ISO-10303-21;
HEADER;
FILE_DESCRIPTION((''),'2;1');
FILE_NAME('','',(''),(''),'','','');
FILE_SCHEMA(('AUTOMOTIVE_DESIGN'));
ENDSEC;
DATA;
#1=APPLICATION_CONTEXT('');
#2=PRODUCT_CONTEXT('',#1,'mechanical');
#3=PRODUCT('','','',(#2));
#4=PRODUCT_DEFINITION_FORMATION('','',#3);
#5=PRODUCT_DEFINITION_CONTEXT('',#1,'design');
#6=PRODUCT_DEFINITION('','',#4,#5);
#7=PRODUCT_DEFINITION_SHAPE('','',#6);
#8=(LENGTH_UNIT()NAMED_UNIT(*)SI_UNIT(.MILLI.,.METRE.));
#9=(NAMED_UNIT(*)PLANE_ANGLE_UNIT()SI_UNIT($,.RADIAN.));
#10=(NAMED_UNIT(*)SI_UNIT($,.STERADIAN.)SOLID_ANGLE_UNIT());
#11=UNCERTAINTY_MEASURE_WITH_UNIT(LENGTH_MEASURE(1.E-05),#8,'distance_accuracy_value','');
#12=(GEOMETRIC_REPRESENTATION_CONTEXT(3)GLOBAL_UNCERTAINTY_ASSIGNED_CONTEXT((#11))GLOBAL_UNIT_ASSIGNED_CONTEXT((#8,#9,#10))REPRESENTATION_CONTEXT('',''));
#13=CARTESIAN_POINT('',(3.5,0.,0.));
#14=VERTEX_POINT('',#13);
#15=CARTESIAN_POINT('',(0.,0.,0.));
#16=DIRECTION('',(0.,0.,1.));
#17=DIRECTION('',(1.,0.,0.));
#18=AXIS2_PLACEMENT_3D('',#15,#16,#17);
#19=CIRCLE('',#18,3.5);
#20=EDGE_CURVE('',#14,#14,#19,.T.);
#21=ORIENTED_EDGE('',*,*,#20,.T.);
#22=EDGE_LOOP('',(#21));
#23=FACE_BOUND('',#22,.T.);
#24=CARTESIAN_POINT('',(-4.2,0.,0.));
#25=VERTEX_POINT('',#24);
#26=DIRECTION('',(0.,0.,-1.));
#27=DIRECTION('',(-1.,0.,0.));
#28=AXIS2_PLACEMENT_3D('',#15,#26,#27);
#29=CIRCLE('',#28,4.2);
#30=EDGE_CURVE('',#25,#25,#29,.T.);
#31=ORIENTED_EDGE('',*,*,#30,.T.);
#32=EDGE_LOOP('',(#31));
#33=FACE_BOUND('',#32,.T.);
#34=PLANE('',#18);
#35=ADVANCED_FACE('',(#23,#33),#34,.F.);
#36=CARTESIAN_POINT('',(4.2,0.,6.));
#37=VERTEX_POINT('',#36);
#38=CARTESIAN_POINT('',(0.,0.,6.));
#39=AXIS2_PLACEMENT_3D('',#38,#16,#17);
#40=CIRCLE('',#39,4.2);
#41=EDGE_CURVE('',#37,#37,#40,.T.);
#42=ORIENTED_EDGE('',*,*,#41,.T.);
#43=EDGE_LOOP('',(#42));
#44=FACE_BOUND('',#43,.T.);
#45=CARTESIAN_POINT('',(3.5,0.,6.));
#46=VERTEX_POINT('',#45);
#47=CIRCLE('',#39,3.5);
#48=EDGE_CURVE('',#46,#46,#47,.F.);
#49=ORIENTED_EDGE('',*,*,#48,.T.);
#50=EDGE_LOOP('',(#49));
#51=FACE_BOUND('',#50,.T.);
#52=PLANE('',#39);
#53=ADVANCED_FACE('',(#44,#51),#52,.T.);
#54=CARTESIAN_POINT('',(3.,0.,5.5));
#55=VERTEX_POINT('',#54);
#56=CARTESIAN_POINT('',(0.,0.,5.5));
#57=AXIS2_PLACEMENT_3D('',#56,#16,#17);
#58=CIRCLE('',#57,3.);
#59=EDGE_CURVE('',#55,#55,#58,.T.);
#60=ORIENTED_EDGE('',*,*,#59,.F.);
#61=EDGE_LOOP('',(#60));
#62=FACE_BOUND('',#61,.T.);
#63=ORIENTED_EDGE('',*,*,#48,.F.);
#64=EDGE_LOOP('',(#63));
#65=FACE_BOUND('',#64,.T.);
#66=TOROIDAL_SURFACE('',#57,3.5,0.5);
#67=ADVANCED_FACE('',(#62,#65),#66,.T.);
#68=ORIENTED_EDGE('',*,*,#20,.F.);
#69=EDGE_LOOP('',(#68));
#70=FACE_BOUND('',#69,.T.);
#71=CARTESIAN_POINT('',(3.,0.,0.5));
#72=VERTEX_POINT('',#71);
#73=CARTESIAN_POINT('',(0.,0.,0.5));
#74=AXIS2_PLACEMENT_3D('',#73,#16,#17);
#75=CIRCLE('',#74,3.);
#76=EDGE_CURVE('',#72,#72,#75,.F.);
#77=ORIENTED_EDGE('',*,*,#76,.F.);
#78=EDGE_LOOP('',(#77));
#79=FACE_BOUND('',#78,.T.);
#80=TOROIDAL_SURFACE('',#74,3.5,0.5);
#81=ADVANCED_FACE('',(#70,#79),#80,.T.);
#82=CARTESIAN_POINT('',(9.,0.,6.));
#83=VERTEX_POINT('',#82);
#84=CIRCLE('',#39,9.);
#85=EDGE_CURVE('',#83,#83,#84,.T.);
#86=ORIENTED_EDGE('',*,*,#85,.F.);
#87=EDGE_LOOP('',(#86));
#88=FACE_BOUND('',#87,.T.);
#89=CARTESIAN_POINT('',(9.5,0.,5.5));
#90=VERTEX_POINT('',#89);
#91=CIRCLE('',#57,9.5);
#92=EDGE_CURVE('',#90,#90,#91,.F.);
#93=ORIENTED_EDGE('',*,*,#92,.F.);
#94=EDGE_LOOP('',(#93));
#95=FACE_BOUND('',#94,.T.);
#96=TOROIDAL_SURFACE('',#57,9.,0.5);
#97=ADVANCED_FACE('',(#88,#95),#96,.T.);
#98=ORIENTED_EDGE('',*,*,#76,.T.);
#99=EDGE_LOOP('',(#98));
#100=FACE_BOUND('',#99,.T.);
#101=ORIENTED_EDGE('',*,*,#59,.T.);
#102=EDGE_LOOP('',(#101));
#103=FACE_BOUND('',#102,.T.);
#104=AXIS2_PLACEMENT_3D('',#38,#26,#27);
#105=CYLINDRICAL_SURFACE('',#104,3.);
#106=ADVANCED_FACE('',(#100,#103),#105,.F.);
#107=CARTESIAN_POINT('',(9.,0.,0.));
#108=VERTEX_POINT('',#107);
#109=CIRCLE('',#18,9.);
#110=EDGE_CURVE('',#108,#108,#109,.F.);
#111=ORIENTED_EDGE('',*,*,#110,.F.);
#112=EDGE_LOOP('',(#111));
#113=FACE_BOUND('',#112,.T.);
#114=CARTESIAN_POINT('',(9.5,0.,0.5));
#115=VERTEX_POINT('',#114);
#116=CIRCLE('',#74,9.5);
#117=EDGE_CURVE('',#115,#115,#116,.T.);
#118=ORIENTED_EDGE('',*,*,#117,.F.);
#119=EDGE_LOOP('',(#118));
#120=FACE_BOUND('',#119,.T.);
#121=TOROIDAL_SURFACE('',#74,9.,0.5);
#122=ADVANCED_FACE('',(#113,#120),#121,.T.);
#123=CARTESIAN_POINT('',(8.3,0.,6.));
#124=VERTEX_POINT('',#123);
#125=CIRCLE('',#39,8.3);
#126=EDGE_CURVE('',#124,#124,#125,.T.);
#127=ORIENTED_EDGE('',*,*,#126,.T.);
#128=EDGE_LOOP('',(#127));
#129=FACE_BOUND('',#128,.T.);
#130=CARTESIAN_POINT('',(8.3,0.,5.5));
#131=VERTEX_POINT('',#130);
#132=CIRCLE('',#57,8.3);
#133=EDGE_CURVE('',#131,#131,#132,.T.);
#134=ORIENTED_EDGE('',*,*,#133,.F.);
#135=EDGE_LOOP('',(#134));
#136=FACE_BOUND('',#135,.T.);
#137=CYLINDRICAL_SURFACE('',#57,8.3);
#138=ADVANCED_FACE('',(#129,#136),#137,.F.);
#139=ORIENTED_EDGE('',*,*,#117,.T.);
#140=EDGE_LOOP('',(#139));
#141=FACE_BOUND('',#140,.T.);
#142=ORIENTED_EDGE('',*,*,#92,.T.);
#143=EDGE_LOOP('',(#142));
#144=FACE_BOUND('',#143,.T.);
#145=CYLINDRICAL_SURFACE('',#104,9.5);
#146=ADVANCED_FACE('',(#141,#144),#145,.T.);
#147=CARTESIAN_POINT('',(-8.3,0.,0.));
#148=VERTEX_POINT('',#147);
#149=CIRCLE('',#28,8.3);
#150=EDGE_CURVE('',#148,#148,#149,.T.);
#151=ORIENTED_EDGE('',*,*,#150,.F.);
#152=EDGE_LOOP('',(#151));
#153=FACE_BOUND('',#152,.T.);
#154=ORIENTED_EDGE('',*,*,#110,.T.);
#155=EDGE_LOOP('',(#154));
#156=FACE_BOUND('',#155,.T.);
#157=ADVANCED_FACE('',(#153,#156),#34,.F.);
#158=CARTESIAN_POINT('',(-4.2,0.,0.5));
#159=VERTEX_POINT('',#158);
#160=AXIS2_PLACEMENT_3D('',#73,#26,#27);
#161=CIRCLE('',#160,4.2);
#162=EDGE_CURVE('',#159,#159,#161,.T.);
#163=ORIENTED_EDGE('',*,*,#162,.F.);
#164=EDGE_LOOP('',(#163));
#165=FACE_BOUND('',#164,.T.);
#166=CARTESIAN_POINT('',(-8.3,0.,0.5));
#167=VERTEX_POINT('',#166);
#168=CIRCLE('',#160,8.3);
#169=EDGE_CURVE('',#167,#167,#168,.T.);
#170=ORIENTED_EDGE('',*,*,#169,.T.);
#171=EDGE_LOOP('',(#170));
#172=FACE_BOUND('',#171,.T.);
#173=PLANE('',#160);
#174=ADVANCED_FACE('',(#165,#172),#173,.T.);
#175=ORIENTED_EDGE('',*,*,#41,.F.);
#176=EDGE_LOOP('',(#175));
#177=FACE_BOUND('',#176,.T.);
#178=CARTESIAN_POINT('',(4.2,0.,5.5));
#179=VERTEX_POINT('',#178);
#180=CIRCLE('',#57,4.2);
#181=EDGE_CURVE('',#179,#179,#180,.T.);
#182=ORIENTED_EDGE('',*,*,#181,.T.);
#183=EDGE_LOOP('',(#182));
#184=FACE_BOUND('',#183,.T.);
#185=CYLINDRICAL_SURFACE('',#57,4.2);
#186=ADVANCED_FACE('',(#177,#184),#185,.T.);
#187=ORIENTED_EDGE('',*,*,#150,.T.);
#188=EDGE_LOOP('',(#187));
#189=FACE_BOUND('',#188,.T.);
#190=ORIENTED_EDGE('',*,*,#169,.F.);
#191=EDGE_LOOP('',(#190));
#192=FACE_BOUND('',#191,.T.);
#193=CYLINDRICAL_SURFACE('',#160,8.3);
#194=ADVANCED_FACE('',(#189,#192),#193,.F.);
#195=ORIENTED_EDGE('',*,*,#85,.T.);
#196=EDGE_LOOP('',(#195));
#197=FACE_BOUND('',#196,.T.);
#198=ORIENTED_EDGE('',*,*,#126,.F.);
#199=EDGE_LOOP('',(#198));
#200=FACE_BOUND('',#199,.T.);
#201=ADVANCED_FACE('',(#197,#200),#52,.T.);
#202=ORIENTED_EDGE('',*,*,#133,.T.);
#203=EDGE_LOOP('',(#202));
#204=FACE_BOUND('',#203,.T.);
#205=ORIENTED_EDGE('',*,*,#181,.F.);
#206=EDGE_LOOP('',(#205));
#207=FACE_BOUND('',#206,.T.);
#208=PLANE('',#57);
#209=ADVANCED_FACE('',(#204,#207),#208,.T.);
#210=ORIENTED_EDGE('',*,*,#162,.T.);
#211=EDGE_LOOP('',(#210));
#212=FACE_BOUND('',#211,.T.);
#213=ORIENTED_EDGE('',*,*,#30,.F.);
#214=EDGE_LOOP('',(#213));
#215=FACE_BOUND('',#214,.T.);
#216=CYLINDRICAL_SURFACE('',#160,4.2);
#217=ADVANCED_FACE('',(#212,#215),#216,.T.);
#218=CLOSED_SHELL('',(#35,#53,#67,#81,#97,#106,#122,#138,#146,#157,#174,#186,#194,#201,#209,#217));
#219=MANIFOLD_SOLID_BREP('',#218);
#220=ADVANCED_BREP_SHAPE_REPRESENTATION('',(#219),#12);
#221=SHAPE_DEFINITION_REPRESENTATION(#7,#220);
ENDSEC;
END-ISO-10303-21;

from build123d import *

# Parameters (mm, degrees)
ESBO_O1_R                = 9.5
ESBO_O1_R_2              = 3
RESSALTO_EXTRUS_O1_DEPTH = 6
ESBO_O2_R                = 8.3
ESBO_O2_R_2              = 4.2
CORTE_EXTRUS_O1_DEPTH    = 0.5
CORTE_EXTRUS_O2_START    = -0.5
ESBO_O3_R                = 8.3
ESBO_O3_R_2              = 4.2
CORTE_EXTRUS_O2_DEPTH    = 0.5
FILETE1_R                = 0.5


with BuildPart() as part:
    # Esboço1 → Ressalto-extrusão1 (new body)
    with BuildSketch(Plane.XY):
        Circle(ESBO_O1_R)
        Circle(ESBO_O1_R_2, mode=Mode.SUBTRACT)
    extrude(amount=RESSALTO_EXTRUS_O1_DEPTH)

    # Esboço2 → Corte-extrusão1 (cut)
    with BuildSketch(Plane.XY.offset(6)):
        Circle(ESBO_O2_R)
        Circle(ESBO_O2_R_2, mode=Mode.SUBTRACT)
    extrude(amount=-CORTE_EXTRUS_O1_DEPTH, mode=Mode.SUBTRACT)

    # Esboço3 → Corte-extrusão2 (cut)
    with BuildSketch(Plane(origin=(0, 0, 0), x_dir=(-1, 0, 0), z_dir=(0, 0, -1)).offset(CORTE_EXTRUS_O2_START)):
        with Locations(Location((0, 0, 0), (0, 0, 180))):
            Circle(ESBO_O3_R)
        with Locations(Location((0, 0, 0), (0, 0, 180))):
            Circle(ESBO_O3_R_2, mode=Mode.SUBTRACT)
    extrude(amount=CORTE_EXTRUS_O2_DEPTH, mode=Mode.SUBTRACT)

    # Filete1
    filete1_edges = [part.edges().sort_by_distance(p)[0] for p in [
        (-9.5, 0, 0),
        (-9.5, 0, 6),
        (-3, 0, 0),
        (-3, 0, 6),
    ]]
    fillet(filete1_edges, radius=FILETE1_R)


solid = part.part
